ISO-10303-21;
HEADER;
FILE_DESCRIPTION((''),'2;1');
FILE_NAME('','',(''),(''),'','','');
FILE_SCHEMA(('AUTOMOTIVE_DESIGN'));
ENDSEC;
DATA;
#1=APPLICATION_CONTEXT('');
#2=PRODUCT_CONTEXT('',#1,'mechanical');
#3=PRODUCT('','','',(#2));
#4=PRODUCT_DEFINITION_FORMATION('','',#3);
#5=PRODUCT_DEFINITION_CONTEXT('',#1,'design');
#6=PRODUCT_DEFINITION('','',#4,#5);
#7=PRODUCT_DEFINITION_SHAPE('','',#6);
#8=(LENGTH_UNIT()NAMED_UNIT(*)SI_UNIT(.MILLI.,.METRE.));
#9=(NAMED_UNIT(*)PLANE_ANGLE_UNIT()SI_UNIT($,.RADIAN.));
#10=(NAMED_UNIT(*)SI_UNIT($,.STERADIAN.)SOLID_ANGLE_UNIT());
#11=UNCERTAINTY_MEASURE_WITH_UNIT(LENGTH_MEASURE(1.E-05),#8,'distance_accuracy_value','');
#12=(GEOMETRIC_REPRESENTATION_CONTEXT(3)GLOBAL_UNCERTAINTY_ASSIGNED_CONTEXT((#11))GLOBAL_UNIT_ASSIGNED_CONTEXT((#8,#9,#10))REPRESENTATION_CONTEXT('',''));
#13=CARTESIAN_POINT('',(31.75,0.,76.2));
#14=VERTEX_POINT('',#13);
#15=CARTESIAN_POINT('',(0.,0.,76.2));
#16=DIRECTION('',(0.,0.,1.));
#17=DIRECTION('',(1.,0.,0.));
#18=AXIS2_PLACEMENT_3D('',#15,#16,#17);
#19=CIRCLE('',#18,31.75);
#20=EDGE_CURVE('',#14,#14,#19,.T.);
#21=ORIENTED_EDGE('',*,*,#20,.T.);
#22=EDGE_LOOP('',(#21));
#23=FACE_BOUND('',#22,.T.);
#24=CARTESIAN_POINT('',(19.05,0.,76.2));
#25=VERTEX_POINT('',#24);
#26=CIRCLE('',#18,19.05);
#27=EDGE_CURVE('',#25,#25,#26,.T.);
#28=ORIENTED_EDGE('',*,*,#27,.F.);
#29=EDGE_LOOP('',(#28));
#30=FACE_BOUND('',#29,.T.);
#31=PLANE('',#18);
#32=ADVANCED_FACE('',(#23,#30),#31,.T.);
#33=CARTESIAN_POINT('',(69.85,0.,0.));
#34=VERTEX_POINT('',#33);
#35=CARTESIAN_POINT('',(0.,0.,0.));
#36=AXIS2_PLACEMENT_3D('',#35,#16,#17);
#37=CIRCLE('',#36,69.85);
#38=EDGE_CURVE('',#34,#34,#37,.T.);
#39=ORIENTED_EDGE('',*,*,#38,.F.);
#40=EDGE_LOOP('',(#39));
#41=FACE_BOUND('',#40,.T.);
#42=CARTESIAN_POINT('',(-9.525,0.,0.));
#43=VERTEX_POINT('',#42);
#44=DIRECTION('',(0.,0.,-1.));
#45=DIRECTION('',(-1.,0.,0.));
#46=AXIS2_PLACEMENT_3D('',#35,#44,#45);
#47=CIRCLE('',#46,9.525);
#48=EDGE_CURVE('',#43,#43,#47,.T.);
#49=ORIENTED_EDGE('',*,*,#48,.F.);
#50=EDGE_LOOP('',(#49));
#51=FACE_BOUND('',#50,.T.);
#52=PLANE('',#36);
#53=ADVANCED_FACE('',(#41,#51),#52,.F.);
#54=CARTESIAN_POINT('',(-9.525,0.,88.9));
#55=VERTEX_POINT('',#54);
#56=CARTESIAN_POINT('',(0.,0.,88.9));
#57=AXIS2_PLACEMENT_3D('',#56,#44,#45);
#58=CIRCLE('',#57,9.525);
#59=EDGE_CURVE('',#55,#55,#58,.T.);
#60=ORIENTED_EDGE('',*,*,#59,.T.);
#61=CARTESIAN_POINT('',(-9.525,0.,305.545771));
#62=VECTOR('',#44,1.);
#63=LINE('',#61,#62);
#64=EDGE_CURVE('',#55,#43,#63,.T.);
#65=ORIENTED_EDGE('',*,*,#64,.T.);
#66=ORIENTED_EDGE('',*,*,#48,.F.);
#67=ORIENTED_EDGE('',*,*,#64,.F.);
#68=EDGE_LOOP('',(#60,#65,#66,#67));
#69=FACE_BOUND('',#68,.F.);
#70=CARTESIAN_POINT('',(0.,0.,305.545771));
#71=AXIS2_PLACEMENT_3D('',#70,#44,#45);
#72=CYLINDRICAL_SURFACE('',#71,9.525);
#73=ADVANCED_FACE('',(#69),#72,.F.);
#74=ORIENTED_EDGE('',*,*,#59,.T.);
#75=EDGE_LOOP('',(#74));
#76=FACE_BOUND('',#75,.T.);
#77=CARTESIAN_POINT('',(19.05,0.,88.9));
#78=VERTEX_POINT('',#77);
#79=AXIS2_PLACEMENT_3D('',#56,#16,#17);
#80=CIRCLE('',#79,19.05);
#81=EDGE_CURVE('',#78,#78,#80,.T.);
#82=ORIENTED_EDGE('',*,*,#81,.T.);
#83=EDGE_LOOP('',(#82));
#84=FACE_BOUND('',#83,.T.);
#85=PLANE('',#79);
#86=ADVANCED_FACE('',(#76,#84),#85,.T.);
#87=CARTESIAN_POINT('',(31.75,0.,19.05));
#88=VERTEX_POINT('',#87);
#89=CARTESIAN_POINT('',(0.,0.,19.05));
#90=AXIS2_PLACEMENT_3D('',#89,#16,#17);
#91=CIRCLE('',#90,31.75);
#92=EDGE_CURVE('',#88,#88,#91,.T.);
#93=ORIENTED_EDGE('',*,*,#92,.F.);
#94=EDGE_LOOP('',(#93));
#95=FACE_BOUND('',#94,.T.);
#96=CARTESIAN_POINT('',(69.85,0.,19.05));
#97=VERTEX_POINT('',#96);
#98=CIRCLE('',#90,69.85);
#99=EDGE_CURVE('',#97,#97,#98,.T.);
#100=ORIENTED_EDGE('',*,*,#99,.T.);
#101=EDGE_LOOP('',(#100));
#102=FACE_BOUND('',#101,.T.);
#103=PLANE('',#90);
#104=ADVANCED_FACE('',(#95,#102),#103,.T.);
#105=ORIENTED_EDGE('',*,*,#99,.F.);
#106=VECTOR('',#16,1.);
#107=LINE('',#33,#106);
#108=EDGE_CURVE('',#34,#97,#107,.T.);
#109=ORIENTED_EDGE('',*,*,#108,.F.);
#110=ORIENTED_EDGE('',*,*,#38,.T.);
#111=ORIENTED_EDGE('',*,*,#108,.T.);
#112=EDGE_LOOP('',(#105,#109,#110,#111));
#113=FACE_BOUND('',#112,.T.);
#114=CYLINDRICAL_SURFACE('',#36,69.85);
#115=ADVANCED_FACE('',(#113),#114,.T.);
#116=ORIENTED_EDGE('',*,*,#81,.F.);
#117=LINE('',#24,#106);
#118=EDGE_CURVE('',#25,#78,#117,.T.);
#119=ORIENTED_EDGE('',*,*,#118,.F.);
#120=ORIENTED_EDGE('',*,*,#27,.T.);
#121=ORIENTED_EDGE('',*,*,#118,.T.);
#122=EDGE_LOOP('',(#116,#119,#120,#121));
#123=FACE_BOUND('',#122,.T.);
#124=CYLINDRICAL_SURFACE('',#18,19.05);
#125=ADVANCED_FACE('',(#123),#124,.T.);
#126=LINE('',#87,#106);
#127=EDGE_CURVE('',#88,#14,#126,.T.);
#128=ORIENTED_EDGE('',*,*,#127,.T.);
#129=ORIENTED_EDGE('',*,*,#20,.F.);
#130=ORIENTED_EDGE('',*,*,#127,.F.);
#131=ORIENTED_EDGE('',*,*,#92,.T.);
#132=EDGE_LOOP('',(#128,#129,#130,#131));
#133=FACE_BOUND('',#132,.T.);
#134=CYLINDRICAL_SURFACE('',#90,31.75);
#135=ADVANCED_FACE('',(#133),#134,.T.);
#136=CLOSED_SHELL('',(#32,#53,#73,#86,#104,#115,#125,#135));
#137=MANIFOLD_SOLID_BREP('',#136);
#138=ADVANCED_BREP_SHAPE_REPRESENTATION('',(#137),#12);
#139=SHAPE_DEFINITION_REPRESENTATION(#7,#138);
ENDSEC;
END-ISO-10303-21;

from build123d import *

# Parameters (mm, degrees)
F3_D = 19.05


with BuildPart() as f1:
    # F0 (on Front) → F1 (revolve)
    with BuildSketch(Plane.XZ):
        Polygon((0, 88.9), (0, 0), (69.85, 0), (69.85, 19.05), (31.75, 19.05), (31.75, 76.2), (19.05, 76.2), (19.05, 88.9), align=None)
    revolve(axis=Axis((0, 0, 44.45), (0, 0, 1)))

    # F3 (through all)
    with Locations(Plane.XY.offset(88.9)):
        with Locations((0, 0)):
            Hole(F3_D / 2)


solid = f1.part
